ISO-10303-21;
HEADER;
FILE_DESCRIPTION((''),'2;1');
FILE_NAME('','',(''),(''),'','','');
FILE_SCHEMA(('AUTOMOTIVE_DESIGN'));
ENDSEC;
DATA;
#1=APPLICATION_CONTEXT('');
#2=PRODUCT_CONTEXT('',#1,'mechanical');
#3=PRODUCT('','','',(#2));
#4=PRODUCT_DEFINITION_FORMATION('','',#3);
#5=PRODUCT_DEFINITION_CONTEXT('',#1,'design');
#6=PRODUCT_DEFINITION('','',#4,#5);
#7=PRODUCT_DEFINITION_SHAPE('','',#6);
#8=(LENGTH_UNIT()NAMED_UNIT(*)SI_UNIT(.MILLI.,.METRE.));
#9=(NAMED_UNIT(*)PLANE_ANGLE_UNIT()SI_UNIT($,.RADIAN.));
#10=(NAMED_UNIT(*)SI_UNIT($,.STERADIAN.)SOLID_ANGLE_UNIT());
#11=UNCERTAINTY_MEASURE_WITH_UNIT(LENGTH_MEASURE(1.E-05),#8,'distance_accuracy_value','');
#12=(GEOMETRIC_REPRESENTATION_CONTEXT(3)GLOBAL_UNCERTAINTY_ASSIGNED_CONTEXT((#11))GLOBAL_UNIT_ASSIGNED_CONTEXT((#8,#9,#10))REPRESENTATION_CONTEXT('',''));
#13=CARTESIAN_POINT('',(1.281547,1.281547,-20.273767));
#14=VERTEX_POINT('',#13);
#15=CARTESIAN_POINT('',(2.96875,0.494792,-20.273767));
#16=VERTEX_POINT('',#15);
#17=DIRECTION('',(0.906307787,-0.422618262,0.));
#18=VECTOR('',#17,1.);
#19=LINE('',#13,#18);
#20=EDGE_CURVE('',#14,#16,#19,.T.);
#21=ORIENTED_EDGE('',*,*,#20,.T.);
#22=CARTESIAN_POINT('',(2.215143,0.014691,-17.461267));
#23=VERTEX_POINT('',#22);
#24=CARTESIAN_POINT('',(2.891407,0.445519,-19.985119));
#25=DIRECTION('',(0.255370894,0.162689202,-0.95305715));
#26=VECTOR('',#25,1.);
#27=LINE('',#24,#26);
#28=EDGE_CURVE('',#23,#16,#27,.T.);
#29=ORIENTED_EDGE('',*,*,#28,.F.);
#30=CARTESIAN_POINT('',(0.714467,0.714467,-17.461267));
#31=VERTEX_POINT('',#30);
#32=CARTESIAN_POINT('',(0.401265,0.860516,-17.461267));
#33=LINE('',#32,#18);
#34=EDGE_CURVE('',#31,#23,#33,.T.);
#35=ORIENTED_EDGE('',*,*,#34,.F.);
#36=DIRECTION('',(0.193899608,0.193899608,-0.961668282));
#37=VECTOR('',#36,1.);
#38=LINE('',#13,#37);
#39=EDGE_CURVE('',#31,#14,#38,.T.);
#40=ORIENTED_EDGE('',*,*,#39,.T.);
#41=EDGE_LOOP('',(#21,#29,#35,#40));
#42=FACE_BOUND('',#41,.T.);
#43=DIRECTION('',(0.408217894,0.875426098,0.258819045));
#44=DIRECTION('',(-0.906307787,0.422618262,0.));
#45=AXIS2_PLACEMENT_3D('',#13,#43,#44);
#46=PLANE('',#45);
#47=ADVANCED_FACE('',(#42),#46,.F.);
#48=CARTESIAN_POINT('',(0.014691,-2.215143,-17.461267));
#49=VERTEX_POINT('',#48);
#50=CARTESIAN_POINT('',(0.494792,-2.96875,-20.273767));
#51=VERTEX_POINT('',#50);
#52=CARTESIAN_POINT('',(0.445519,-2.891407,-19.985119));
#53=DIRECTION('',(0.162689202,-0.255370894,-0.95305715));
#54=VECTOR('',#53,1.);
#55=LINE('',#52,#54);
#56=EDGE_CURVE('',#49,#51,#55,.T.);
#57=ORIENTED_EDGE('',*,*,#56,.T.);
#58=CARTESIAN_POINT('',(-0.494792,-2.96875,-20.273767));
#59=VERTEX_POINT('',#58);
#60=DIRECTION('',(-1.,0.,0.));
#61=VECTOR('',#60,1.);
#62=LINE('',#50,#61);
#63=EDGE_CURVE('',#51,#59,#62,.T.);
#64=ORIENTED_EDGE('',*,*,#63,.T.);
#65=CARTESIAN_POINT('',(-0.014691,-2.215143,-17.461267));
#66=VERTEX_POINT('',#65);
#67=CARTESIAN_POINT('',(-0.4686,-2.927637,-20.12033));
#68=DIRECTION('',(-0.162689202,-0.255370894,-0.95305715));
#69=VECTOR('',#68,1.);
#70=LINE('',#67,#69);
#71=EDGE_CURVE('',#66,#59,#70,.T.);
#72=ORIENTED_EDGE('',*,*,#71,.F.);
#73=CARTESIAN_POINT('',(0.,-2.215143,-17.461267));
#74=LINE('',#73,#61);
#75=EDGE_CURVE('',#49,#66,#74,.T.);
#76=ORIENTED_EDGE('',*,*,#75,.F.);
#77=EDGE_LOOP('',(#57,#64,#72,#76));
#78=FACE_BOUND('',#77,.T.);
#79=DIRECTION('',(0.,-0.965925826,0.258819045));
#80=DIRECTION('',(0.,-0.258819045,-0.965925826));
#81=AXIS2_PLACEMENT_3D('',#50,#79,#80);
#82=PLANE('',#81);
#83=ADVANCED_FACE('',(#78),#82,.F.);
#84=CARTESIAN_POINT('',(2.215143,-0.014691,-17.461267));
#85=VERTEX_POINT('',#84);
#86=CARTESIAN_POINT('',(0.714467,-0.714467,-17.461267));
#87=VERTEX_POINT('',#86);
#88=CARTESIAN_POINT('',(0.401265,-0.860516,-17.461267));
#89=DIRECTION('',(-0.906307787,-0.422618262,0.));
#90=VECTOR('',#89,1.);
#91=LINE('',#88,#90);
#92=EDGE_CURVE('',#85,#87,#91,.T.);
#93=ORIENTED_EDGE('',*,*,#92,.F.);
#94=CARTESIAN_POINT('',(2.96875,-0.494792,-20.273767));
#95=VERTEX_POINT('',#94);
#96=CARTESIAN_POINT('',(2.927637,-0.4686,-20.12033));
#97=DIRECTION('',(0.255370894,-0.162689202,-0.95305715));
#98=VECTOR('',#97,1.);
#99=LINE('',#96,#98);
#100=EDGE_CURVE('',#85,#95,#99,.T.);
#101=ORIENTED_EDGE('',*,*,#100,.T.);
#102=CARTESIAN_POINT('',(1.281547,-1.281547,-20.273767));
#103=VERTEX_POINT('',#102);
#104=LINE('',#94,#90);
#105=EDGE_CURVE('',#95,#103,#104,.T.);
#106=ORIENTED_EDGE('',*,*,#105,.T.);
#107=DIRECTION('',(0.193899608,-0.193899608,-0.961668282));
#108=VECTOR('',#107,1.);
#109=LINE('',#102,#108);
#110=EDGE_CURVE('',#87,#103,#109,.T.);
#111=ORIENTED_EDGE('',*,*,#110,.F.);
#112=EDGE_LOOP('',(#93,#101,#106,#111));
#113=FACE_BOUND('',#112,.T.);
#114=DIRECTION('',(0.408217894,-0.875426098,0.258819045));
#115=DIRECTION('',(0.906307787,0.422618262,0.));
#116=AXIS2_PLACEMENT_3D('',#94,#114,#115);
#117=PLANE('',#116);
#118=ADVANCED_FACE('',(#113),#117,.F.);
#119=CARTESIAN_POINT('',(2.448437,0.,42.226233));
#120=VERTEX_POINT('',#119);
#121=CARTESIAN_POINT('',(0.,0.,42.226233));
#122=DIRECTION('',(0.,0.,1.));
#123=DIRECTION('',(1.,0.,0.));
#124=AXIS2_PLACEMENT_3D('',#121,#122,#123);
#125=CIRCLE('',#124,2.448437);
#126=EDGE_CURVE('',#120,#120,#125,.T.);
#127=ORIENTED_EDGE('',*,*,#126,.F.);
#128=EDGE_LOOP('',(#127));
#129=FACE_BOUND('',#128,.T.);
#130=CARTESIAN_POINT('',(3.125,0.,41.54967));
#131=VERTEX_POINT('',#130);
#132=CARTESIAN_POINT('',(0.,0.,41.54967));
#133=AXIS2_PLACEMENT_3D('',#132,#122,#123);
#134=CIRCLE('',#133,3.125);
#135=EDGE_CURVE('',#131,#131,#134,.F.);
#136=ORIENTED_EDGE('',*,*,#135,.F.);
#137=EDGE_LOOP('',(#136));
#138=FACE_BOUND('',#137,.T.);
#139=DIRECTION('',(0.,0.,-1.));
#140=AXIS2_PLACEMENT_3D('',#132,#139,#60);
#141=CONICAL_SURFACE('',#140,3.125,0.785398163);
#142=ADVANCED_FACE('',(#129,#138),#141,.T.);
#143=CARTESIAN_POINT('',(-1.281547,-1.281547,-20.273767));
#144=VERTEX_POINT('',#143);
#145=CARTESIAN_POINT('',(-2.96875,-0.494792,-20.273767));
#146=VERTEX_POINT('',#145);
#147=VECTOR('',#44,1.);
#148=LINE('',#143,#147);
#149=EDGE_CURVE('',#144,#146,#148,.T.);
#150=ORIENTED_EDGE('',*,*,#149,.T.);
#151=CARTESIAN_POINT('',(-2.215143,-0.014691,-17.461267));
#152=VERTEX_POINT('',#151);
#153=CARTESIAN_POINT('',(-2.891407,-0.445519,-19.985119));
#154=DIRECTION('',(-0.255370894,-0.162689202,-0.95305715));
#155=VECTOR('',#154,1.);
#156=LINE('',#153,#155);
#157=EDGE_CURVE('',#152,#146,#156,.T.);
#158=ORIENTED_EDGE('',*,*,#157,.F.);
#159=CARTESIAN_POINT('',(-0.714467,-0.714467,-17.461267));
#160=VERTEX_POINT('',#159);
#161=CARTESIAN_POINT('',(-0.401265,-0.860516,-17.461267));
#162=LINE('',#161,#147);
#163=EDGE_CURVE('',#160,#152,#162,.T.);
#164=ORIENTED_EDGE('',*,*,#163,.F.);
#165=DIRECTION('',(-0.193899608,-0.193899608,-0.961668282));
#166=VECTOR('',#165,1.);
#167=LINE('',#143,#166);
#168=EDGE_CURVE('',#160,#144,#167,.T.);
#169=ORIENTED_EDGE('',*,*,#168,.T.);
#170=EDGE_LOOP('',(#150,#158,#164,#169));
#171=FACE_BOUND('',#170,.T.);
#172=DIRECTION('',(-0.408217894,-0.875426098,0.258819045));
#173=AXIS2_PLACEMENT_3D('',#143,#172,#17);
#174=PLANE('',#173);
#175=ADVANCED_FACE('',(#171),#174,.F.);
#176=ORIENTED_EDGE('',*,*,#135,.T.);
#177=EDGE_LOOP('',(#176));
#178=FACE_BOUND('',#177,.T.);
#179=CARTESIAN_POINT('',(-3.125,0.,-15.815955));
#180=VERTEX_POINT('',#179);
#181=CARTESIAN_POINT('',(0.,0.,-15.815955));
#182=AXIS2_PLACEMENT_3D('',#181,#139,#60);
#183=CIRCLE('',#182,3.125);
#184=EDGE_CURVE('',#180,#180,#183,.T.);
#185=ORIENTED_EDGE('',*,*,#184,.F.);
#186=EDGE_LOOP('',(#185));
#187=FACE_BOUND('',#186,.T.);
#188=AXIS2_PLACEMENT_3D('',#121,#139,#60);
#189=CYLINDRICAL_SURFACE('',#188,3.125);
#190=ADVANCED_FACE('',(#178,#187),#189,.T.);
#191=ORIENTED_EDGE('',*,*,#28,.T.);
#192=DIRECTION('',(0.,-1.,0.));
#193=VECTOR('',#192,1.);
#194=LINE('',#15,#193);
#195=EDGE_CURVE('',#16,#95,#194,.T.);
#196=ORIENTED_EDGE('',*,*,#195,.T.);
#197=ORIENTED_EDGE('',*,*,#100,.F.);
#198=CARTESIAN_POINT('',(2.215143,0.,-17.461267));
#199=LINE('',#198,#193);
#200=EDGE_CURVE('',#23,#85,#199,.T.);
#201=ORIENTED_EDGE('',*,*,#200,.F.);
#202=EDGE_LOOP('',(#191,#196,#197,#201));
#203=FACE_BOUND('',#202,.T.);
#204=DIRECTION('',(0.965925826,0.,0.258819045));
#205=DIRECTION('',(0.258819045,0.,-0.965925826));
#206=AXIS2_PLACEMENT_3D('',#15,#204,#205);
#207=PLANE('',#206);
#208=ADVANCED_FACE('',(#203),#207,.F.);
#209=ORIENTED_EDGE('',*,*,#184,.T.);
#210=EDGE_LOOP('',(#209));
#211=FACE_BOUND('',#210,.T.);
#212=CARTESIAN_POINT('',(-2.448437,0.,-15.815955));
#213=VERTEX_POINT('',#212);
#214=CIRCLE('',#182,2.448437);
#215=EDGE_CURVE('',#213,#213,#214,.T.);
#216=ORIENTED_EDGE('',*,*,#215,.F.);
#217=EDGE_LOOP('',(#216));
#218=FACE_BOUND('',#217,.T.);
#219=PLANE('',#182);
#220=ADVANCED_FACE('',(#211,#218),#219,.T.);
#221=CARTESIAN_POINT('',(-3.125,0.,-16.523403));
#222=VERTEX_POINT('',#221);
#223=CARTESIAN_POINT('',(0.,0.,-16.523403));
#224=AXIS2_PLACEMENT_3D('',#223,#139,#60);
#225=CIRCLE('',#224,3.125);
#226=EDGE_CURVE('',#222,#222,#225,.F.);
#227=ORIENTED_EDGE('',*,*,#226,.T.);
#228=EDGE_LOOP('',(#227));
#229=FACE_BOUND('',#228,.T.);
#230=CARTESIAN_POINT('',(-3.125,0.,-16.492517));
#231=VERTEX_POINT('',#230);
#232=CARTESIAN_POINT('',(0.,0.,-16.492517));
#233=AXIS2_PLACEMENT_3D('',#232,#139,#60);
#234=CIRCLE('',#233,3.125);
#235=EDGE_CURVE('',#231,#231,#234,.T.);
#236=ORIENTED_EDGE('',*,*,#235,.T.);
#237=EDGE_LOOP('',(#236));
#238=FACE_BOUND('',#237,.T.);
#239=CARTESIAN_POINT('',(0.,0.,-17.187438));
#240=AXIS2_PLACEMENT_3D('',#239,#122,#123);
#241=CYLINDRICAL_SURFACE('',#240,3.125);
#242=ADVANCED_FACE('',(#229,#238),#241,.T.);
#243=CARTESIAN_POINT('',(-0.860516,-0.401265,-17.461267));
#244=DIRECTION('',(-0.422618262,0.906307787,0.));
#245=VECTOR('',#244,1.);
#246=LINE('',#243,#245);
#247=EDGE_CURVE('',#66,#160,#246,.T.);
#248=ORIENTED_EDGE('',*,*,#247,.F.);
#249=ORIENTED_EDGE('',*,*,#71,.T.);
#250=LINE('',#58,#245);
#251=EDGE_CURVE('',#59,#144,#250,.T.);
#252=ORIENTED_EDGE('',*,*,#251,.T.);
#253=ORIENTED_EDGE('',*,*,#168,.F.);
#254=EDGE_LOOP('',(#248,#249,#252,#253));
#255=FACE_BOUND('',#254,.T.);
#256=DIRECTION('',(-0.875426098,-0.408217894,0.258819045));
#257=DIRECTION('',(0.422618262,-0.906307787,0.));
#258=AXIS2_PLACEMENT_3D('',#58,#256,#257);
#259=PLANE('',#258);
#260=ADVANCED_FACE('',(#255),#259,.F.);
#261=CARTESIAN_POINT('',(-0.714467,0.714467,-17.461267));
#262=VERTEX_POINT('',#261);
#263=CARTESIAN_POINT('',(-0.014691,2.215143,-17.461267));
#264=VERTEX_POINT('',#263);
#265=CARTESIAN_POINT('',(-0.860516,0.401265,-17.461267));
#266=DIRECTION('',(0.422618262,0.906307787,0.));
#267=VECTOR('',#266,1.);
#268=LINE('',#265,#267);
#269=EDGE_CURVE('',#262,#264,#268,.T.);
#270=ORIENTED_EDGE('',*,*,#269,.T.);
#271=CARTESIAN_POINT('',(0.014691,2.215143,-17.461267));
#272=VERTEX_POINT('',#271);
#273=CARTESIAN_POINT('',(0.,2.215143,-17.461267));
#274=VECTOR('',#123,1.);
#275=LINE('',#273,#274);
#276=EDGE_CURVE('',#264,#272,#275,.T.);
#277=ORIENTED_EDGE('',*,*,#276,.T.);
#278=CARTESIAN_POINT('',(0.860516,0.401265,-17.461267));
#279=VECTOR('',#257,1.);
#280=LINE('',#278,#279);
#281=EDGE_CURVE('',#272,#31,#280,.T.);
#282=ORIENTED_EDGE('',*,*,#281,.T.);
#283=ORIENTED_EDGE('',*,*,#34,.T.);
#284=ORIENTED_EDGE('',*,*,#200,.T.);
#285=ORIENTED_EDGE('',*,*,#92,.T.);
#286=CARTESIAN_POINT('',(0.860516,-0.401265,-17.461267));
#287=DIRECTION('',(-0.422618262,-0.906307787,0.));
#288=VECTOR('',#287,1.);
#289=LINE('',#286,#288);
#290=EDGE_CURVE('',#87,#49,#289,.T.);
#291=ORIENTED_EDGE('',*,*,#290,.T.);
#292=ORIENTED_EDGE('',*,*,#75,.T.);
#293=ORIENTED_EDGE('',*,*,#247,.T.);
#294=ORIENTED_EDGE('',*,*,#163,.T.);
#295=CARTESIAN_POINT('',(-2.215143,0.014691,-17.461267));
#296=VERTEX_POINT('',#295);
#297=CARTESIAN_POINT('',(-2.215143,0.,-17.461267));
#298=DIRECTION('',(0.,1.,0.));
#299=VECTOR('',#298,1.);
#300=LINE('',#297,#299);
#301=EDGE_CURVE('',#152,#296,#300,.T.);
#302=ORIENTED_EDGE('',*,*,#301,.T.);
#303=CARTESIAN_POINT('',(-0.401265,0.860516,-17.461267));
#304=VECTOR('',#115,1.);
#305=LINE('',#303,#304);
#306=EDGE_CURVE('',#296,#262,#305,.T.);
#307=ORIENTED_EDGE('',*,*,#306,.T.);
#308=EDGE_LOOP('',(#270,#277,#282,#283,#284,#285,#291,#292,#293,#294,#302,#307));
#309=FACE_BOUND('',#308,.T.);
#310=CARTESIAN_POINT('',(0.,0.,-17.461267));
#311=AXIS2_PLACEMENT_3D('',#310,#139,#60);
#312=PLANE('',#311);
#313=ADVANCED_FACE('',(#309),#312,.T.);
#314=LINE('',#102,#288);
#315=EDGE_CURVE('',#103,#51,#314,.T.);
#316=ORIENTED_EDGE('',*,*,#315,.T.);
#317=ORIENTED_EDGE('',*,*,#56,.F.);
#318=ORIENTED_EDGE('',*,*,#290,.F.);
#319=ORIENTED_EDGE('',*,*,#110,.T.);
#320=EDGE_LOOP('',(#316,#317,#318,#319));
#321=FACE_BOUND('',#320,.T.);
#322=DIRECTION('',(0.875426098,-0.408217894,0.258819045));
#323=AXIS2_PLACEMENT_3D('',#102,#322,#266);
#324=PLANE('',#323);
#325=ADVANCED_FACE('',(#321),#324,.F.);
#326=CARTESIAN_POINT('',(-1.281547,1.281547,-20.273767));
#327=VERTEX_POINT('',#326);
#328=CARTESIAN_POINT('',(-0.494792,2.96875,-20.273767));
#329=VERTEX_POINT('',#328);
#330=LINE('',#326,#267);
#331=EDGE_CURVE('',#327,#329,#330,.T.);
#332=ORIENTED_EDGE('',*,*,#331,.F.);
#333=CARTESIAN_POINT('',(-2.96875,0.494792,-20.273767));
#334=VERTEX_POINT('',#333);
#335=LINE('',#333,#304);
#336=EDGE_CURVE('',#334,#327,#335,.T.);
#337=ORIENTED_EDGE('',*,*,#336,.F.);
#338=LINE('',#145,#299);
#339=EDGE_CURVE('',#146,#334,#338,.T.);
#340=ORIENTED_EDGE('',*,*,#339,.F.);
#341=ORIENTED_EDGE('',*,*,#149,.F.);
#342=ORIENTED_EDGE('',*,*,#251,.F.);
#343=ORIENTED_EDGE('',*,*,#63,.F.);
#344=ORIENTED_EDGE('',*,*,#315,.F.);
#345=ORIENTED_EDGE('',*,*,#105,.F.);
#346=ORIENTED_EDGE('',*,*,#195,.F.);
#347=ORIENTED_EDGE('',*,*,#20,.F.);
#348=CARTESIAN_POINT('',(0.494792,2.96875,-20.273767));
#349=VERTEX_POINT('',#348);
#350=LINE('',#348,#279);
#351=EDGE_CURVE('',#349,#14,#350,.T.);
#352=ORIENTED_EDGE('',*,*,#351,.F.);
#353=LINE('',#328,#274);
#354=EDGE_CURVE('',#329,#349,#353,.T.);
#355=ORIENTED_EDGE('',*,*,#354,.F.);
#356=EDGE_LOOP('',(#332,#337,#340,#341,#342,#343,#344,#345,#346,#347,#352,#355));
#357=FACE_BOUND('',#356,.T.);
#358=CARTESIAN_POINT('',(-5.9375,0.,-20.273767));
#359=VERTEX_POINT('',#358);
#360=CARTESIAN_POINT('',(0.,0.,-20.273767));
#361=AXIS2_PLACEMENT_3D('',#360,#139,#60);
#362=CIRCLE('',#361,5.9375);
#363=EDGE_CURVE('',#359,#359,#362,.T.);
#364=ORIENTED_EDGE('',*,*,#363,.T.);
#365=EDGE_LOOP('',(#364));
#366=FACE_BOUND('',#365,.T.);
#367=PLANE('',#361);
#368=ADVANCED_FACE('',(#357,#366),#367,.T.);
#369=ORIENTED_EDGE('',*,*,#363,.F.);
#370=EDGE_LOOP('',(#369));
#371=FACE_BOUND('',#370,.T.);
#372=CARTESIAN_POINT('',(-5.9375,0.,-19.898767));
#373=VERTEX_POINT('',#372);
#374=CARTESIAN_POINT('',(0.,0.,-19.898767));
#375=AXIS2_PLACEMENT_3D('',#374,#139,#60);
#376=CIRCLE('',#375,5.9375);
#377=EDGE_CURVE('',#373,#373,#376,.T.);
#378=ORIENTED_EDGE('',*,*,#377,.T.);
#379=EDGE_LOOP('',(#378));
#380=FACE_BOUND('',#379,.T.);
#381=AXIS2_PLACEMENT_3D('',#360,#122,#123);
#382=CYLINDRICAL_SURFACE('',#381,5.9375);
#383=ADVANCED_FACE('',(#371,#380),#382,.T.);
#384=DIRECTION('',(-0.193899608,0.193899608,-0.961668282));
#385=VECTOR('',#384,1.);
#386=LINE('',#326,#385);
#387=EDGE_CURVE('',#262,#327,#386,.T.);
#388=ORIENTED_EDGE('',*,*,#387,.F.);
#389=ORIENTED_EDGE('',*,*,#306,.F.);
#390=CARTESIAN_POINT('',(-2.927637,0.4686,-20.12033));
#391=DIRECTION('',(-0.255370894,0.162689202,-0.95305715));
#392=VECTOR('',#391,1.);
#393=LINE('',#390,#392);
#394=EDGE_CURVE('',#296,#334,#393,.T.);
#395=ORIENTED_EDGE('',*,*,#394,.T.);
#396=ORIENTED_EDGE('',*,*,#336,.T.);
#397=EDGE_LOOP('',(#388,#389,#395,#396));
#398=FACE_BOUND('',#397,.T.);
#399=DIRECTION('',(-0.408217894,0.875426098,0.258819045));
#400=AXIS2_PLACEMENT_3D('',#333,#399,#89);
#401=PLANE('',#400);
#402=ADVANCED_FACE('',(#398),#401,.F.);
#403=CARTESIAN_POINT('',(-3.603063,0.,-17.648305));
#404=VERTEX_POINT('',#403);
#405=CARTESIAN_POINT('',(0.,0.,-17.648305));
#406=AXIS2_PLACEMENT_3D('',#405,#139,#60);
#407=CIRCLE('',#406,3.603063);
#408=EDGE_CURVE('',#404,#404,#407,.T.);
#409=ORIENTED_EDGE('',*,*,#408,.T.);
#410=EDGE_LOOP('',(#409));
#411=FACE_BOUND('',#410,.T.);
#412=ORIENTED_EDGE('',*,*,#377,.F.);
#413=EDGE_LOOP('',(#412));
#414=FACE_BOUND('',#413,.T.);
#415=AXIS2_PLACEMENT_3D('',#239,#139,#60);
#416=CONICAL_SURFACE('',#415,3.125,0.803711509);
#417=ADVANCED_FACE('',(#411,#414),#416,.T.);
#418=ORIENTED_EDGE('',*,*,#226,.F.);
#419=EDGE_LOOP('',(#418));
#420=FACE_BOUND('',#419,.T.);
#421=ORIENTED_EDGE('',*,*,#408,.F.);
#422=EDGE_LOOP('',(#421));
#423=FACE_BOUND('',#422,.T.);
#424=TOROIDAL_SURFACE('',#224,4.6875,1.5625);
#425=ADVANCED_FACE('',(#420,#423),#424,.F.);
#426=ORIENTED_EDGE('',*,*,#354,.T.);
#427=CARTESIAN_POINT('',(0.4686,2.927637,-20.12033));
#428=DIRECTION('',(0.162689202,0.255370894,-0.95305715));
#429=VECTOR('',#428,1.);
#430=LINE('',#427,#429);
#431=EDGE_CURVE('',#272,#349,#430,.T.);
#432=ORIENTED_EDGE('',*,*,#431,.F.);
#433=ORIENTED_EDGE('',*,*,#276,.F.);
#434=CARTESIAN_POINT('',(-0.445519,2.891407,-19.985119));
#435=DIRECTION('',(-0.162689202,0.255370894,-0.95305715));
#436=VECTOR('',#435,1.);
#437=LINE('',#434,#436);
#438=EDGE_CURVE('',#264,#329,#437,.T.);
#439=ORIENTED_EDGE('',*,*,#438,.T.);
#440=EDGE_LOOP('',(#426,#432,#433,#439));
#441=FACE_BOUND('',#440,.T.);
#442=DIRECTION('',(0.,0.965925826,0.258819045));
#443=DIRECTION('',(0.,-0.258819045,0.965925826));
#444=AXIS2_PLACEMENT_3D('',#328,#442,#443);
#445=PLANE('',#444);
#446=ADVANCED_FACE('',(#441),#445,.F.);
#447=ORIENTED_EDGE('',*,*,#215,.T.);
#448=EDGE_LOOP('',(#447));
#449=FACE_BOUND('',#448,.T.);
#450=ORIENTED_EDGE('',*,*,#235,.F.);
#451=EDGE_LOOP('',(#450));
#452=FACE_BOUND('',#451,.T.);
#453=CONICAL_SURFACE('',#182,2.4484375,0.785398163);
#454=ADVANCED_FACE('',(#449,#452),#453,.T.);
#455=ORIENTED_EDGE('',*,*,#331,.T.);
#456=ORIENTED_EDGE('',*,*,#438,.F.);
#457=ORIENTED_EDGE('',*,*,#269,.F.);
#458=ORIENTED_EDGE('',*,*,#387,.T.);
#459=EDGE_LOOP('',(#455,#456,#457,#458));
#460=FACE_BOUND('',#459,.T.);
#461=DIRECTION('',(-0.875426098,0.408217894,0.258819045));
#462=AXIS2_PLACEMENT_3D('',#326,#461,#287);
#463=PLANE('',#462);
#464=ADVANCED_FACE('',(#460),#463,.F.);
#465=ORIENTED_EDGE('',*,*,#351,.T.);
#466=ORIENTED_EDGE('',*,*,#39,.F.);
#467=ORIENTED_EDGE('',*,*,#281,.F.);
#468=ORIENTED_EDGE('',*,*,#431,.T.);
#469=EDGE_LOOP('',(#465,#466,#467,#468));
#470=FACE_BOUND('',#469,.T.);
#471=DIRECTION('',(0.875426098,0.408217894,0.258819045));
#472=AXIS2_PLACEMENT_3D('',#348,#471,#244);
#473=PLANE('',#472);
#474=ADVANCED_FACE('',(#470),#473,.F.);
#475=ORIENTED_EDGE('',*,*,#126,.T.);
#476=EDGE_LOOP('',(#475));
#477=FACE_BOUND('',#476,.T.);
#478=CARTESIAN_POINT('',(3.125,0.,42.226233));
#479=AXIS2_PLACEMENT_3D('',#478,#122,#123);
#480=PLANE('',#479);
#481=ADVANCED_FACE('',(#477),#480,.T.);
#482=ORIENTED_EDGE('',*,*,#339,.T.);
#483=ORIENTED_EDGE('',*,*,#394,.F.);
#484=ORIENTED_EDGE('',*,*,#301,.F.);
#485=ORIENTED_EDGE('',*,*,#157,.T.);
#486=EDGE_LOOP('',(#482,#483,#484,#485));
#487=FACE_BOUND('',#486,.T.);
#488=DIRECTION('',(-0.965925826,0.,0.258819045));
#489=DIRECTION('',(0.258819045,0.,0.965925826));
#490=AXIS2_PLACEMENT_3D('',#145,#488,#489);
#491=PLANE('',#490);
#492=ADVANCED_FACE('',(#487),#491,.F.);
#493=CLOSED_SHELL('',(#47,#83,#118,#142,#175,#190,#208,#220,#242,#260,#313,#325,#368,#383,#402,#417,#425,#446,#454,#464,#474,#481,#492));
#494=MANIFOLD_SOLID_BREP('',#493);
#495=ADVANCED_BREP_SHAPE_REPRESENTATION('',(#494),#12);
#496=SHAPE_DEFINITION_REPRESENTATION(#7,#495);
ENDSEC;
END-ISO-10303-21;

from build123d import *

# Parameters (mm, degrees)
SKETCH1_W           = 1
SKETCH1_H           = 18.5735
SKETCH2_R           = 0.7835
BOSS_EXTRUDE1_DEPTH = 0.2165
BOSS_EXTRUDE1_TAPER = -45
SKETCH3_R           = 1
BOSS_EXTRUDE2_DEPTH = 0.222374751
SKETCH4_R           = 1
BOSS_EXTRUDE3_DEPTH = 0.867625249
BOSS_EXTRUDE3_TAPER = -46.049277384
SKETCH5_R           = 1.9
BOSS_EXTRUDE4_DEPTH = 0.12
CUT_EXTRUDE1_DEPTH  = 0.9
CUT_EXTRUDE1_TAPER  = 15
CHAMFER1_SIZE       = 0.2165
FILLET1_R           = 0.5
SCALE1_SCALE        = 3.125


with BuildPart() as part:
    # Sketch1 → Revolve1 (revolve)
    with BuildSketch(Plane.XZ):
        with Locations((0.5, 10.71325)):
            Rectangle(SKETCH1_W, SKETCH1_H)
    revolve(axis=Axis((0, 0, 20), (0, 0, -1)))

    # Sketch2 → Boss-Extrude1 (add)
    with BuildSketch(Plane(origin=(0, 0, 1.4265), x_dir=(-1, 0, 0), z_dir=(0, 0, -1))):
        Circle(SKETCH2_R)
    extrude(amount=BOSS_EXTRUDE1_DEPTH, taper=BOSS_EXTRUDE1_TAPER)

    # Sketch3 → Boss-Extrude2 (add)
    with BuildSketch(Plane(origin=(0, 0, 1.21), x_dir=(-1, 0, 0), z_dir=(0, 0, -1))):
        Circle(SKETCH3_R)
    extrude(amount=BOSS_EXTRUDE2_DEPTH)

    # Sketch4 → Boss-Extrude3 (add)
    with BuildSketch(Plane(origin=(0, 0, 0.987625249), x_dir=(-1, 0, 0), z_dir=(0, 0, -1))):
        Circle(SKETCH4_R)
    extrude(amount=BOSS_EXTRUDE3_DEPTH, taper=BOSS_EXTRUDE3_TAPER)

    # Sketch5 → Boss-Extrude4 (add)
    with BuildSketch(Plane(origin=(0, 0, 0.12), x_dir=(-1, 0, 0), z_dir=(0, 0, -1))):
        Circle(SKETCH5_R)
    extrude(amount=BOSS_EXTRUDE4_DEPTH)

    # Sketch6 → Cut-Extrude1 (cut)
    with BuildSketch(Plane(origin=(0, 0, 0), x_dir=(-1, 0, 0), z_dir=(0, 0, -1))):
        Polygon((-0.95, -0.158333333), (-0.410095116, -0.410095116), (-0.158333333, -0.95), (0.158333333, -0.95), (0.410095116, -0.410095116), (0.95, -0.158333333), (0.95, 0.158333333), (0.410095116, 0.410095116), (0.158333333, 0.95), (-0.158333333, 0.95), (-0.410095116, 0.410095116), (-0.95, 0.158333333), align=None)
    extrude(amount=-CUT_EXTRUDE1_DEPTH, taper=CUT_EXTRUDE1_TAPER, mode=Mode.SUBTRACT)

    # Chamfer1
    chamfer1_edges = [part.edges().sort_by_distance(p)[0] for p in [
        (-1, 0, 20),
    ]]
    chamfer(chamfer1_edges, length=CHAMFER1_SIZE)

    # Fillet1
    fillet1_edges = [part.edges().sort_by_distance(p)[0] for p in [
        (1, 0, 0.987625249),
    ]]
    fillet(fillet1_edges, radius=FILLET1_R)


with BuildPart() as part_1:
    # Scale1: scaled about (8e-09, 0, 9.540596362)
    add(part.part.scale(SCALE1_SCALE).moved(Location((-1.7e-08, 0, -20.273767269))))


solid = part_1.part
